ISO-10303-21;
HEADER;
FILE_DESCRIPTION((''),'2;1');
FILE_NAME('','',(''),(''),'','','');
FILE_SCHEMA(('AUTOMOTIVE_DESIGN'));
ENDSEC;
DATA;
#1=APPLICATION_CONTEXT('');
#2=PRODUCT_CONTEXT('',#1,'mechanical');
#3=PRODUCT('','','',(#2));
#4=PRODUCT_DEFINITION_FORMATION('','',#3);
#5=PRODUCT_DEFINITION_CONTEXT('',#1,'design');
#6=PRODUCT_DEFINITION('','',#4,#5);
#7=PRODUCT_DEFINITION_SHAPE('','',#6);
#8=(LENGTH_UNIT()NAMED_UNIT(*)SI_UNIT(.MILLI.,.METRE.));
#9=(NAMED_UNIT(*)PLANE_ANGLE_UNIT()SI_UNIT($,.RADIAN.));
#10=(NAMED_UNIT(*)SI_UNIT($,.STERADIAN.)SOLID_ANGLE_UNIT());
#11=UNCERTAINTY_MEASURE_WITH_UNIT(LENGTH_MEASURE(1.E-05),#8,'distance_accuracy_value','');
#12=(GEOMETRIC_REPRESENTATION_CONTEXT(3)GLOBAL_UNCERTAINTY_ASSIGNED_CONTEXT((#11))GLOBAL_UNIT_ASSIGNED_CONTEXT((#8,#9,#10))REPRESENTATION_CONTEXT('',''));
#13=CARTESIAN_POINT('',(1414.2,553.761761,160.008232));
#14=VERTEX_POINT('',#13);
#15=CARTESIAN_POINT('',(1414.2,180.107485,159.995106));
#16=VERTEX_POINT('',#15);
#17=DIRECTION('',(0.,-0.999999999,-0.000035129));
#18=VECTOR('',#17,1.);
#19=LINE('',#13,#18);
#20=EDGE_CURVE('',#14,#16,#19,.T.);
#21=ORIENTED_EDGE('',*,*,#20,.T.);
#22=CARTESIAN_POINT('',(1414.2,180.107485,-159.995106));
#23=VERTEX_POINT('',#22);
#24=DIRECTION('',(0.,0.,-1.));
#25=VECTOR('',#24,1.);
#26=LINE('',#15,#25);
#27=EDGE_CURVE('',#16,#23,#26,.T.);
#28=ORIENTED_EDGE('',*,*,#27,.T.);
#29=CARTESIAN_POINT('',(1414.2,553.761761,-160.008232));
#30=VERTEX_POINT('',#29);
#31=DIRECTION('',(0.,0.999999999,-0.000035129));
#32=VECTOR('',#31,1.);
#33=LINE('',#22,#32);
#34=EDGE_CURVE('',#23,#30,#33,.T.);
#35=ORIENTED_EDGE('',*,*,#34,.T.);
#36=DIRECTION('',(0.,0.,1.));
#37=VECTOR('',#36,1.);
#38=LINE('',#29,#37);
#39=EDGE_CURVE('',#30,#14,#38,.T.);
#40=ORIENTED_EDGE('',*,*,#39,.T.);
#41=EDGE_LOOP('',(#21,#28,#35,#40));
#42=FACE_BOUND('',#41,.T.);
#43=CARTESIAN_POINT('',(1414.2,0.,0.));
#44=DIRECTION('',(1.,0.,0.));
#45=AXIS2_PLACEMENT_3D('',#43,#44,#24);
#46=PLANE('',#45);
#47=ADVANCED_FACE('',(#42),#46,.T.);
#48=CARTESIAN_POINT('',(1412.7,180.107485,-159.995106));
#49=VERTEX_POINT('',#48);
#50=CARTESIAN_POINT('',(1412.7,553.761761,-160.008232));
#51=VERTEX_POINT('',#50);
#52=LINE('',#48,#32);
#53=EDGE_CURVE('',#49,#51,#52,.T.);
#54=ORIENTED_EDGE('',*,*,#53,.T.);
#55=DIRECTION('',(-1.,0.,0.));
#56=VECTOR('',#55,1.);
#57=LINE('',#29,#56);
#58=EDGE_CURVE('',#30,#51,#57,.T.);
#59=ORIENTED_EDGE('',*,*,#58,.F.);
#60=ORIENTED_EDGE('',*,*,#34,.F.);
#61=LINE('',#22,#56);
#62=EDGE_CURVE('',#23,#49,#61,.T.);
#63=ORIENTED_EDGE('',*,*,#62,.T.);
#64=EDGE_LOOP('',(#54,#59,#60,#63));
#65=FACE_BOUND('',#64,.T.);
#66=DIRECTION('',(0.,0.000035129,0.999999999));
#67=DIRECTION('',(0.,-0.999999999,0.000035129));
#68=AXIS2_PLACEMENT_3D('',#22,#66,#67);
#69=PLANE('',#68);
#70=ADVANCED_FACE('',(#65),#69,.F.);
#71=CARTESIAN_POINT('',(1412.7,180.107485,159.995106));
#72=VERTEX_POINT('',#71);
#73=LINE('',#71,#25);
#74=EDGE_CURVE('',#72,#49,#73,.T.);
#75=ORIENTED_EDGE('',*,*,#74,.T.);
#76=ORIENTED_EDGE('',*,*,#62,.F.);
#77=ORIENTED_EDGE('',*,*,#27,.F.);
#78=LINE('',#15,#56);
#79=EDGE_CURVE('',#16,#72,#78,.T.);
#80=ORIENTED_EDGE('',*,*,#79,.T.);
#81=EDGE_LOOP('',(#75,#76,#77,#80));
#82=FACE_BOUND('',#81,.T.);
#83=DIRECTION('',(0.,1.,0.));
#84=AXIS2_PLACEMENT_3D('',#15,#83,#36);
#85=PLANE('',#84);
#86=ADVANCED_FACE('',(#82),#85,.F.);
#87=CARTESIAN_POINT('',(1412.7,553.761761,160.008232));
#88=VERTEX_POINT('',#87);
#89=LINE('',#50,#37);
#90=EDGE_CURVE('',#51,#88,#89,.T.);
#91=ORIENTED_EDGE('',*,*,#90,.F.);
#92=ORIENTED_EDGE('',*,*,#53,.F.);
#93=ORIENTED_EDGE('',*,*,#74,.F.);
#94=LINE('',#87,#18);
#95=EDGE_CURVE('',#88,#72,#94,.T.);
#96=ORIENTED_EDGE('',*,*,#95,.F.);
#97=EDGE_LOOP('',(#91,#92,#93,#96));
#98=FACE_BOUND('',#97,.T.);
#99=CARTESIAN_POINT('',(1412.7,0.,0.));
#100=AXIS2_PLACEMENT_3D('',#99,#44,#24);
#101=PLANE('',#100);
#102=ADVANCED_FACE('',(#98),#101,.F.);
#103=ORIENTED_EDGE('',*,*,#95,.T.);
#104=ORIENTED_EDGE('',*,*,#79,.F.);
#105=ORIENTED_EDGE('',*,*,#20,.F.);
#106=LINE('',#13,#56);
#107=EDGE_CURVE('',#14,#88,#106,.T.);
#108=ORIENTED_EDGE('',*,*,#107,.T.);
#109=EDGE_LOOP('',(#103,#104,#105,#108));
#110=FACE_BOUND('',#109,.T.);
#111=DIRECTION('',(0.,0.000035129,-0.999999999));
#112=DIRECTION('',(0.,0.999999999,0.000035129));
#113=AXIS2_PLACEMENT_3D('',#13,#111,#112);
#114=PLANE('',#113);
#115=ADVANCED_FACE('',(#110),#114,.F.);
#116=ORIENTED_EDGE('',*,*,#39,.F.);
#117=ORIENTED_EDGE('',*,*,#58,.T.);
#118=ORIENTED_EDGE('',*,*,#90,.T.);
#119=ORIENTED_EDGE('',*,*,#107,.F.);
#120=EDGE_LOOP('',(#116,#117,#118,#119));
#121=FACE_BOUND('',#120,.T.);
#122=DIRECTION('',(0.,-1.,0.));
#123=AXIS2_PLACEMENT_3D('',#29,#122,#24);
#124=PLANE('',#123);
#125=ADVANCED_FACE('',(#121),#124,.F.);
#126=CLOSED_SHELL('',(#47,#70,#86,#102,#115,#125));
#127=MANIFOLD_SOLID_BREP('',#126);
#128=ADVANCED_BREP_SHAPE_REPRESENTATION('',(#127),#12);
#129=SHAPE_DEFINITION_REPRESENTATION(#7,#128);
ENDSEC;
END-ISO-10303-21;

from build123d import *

# Parameters (mm, degrees)
BOSS_EXTRUDE2_START = 77.7
BOSS_EXTRUDE2_DEPTH = 1.5


with BuildPart() as part:
    # Sketch2 → Boss-Extrude2 (new body)
    with BuildSketch(Plane(origin=(1335, 0, 0), x_dir=(0, 0, -1), z_dir=(1, 0, 0)).offset(BOSS_EXTRUDE2_START)):
        Polygon((159.995106229, 180.107485478), (160.008232285, 553.761760903), (-160.008232285, 553.761760903), (-159.995106229, 180.107485478), align=None)
    extrude(amount=BOSS_EXTRUDE2_DEPTH)


solid = part.part
